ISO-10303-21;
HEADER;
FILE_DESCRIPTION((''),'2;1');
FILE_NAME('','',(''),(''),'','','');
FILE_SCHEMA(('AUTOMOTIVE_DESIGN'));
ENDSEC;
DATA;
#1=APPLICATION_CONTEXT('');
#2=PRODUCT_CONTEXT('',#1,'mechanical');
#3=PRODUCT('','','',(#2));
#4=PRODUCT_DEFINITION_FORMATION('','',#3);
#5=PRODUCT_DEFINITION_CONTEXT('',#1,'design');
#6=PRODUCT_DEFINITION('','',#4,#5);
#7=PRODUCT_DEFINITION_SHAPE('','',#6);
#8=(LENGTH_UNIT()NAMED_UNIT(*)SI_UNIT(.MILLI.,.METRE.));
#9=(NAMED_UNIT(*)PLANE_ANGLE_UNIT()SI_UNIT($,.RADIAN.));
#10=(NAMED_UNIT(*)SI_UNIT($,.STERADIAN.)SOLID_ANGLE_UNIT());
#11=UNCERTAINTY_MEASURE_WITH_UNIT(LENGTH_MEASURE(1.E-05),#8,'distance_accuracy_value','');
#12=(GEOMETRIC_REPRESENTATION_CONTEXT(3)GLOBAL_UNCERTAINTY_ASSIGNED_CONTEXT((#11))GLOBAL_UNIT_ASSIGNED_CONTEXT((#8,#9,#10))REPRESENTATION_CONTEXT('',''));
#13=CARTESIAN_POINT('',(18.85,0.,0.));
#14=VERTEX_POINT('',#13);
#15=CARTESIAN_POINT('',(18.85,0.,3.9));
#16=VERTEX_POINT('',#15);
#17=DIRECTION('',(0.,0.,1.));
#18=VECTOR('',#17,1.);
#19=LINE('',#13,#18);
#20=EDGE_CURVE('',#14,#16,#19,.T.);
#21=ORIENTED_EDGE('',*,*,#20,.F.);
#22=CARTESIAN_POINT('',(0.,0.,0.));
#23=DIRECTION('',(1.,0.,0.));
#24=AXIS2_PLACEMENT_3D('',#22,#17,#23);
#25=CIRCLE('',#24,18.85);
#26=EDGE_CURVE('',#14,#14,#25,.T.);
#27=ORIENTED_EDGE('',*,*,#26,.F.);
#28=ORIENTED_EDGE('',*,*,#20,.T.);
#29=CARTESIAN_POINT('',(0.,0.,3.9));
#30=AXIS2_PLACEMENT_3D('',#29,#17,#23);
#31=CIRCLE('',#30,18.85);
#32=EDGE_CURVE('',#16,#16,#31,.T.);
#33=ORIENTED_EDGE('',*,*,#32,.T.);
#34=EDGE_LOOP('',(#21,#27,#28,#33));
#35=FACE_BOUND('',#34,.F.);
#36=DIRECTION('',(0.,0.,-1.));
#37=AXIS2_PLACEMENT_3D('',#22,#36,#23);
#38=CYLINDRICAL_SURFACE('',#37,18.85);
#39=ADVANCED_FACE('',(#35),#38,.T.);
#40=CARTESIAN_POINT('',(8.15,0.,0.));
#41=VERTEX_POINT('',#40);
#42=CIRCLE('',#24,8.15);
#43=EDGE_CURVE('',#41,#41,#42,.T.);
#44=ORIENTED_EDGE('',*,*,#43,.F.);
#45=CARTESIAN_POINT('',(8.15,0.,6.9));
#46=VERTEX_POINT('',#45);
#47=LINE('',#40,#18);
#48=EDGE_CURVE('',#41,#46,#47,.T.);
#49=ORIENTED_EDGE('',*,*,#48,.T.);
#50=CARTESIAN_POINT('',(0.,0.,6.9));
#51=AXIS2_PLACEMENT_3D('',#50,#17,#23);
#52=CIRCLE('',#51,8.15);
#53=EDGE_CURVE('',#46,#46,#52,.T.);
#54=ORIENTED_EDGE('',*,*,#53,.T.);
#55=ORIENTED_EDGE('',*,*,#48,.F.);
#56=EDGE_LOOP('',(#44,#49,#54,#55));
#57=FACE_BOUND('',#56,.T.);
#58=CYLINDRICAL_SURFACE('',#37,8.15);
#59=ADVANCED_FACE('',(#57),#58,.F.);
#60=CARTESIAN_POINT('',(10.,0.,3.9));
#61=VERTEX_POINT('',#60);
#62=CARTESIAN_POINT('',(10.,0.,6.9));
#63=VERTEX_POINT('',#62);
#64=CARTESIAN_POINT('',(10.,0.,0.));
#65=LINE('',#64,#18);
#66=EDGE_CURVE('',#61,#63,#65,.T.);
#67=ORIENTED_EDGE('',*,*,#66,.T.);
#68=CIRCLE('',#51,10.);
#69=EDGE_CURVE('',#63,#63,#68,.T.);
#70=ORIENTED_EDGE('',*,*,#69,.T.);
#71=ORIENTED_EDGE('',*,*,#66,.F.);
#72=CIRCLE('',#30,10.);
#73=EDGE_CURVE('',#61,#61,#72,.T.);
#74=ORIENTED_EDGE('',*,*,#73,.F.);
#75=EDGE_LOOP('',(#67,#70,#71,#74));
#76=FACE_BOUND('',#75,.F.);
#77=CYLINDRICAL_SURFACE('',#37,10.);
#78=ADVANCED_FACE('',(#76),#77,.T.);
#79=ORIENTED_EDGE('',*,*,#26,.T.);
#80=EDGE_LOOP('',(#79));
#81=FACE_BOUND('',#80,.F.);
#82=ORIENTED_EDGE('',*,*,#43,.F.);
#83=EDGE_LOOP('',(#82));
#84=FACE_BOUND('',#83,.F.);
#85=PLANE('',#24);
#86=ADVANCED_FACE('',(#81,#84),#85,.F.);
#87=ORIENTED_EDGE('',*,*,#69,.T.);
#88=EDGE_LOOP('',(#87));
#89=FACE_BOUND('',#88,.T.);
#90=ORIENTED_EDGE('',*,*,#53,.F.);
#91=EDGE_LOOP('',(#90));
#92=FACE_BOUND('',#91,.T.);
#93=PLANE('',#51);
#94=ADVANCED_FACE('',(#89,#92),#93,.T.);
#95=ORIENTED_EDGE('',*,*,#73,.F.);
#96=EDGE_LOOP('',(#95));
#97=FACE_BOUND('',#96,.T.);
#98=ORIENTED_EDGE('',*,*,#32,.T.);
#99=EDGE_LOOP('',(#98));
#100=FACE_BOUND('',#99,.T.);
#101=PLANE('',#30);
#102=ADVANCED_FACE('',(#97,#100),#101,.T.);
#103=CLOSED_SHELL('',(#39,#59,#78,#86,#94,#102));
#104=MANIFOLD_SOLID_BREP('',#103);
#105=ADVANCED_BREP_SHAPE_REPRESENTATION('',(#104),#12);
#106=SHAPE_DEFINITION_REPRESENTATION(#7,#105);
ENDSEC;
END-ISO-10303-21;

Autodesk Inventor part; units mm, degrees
ref_plane "YZ Plane" through (0, 0, 0) normal (1, 0, 0) x (0, 1, 0)
ref_plane "XZ Plane" through (0, 0, 0) normal (0, 1, 0) x (-1, 0, 0)
ref_plane "XY Plane" through (0, 0, 0) normal (0, 0, 1) x (1, 0, 0)
sketch "Sketch1" plane through (0, 0, 0) normal (0, 0, 1) x (1, 0, 0)
  circle A0 centre (0, 0) radius 8.15
  circle A1 centre (0, 0) radius 10
  circle A2 centre (0, 0) radius 18.85
  dimension "d0" = 16.3
  dimension "d1" = 20
  dimension "d2" = 37.7
extrude "Extrusion1" add sketch "Sketch1" along normal blind 6.9 contours A1
extrude "Extrusion2" add sketch "Sketch1" along normal blind 3.9 contours A2
equation "\"d0\" = shaft_d"
equation "\"d1\" = i_d"
equation "\"d2\" = o_d"
equation "\"d5\" = spacing"
equation "\"shaft_d\" = 16.3"
equation "\"o_d\" = 37.7"
equation "\"spacing\" = 3.9"
equation "\"i_d\" = 20"
properties part number "Lower_bushings_3DPrint"
